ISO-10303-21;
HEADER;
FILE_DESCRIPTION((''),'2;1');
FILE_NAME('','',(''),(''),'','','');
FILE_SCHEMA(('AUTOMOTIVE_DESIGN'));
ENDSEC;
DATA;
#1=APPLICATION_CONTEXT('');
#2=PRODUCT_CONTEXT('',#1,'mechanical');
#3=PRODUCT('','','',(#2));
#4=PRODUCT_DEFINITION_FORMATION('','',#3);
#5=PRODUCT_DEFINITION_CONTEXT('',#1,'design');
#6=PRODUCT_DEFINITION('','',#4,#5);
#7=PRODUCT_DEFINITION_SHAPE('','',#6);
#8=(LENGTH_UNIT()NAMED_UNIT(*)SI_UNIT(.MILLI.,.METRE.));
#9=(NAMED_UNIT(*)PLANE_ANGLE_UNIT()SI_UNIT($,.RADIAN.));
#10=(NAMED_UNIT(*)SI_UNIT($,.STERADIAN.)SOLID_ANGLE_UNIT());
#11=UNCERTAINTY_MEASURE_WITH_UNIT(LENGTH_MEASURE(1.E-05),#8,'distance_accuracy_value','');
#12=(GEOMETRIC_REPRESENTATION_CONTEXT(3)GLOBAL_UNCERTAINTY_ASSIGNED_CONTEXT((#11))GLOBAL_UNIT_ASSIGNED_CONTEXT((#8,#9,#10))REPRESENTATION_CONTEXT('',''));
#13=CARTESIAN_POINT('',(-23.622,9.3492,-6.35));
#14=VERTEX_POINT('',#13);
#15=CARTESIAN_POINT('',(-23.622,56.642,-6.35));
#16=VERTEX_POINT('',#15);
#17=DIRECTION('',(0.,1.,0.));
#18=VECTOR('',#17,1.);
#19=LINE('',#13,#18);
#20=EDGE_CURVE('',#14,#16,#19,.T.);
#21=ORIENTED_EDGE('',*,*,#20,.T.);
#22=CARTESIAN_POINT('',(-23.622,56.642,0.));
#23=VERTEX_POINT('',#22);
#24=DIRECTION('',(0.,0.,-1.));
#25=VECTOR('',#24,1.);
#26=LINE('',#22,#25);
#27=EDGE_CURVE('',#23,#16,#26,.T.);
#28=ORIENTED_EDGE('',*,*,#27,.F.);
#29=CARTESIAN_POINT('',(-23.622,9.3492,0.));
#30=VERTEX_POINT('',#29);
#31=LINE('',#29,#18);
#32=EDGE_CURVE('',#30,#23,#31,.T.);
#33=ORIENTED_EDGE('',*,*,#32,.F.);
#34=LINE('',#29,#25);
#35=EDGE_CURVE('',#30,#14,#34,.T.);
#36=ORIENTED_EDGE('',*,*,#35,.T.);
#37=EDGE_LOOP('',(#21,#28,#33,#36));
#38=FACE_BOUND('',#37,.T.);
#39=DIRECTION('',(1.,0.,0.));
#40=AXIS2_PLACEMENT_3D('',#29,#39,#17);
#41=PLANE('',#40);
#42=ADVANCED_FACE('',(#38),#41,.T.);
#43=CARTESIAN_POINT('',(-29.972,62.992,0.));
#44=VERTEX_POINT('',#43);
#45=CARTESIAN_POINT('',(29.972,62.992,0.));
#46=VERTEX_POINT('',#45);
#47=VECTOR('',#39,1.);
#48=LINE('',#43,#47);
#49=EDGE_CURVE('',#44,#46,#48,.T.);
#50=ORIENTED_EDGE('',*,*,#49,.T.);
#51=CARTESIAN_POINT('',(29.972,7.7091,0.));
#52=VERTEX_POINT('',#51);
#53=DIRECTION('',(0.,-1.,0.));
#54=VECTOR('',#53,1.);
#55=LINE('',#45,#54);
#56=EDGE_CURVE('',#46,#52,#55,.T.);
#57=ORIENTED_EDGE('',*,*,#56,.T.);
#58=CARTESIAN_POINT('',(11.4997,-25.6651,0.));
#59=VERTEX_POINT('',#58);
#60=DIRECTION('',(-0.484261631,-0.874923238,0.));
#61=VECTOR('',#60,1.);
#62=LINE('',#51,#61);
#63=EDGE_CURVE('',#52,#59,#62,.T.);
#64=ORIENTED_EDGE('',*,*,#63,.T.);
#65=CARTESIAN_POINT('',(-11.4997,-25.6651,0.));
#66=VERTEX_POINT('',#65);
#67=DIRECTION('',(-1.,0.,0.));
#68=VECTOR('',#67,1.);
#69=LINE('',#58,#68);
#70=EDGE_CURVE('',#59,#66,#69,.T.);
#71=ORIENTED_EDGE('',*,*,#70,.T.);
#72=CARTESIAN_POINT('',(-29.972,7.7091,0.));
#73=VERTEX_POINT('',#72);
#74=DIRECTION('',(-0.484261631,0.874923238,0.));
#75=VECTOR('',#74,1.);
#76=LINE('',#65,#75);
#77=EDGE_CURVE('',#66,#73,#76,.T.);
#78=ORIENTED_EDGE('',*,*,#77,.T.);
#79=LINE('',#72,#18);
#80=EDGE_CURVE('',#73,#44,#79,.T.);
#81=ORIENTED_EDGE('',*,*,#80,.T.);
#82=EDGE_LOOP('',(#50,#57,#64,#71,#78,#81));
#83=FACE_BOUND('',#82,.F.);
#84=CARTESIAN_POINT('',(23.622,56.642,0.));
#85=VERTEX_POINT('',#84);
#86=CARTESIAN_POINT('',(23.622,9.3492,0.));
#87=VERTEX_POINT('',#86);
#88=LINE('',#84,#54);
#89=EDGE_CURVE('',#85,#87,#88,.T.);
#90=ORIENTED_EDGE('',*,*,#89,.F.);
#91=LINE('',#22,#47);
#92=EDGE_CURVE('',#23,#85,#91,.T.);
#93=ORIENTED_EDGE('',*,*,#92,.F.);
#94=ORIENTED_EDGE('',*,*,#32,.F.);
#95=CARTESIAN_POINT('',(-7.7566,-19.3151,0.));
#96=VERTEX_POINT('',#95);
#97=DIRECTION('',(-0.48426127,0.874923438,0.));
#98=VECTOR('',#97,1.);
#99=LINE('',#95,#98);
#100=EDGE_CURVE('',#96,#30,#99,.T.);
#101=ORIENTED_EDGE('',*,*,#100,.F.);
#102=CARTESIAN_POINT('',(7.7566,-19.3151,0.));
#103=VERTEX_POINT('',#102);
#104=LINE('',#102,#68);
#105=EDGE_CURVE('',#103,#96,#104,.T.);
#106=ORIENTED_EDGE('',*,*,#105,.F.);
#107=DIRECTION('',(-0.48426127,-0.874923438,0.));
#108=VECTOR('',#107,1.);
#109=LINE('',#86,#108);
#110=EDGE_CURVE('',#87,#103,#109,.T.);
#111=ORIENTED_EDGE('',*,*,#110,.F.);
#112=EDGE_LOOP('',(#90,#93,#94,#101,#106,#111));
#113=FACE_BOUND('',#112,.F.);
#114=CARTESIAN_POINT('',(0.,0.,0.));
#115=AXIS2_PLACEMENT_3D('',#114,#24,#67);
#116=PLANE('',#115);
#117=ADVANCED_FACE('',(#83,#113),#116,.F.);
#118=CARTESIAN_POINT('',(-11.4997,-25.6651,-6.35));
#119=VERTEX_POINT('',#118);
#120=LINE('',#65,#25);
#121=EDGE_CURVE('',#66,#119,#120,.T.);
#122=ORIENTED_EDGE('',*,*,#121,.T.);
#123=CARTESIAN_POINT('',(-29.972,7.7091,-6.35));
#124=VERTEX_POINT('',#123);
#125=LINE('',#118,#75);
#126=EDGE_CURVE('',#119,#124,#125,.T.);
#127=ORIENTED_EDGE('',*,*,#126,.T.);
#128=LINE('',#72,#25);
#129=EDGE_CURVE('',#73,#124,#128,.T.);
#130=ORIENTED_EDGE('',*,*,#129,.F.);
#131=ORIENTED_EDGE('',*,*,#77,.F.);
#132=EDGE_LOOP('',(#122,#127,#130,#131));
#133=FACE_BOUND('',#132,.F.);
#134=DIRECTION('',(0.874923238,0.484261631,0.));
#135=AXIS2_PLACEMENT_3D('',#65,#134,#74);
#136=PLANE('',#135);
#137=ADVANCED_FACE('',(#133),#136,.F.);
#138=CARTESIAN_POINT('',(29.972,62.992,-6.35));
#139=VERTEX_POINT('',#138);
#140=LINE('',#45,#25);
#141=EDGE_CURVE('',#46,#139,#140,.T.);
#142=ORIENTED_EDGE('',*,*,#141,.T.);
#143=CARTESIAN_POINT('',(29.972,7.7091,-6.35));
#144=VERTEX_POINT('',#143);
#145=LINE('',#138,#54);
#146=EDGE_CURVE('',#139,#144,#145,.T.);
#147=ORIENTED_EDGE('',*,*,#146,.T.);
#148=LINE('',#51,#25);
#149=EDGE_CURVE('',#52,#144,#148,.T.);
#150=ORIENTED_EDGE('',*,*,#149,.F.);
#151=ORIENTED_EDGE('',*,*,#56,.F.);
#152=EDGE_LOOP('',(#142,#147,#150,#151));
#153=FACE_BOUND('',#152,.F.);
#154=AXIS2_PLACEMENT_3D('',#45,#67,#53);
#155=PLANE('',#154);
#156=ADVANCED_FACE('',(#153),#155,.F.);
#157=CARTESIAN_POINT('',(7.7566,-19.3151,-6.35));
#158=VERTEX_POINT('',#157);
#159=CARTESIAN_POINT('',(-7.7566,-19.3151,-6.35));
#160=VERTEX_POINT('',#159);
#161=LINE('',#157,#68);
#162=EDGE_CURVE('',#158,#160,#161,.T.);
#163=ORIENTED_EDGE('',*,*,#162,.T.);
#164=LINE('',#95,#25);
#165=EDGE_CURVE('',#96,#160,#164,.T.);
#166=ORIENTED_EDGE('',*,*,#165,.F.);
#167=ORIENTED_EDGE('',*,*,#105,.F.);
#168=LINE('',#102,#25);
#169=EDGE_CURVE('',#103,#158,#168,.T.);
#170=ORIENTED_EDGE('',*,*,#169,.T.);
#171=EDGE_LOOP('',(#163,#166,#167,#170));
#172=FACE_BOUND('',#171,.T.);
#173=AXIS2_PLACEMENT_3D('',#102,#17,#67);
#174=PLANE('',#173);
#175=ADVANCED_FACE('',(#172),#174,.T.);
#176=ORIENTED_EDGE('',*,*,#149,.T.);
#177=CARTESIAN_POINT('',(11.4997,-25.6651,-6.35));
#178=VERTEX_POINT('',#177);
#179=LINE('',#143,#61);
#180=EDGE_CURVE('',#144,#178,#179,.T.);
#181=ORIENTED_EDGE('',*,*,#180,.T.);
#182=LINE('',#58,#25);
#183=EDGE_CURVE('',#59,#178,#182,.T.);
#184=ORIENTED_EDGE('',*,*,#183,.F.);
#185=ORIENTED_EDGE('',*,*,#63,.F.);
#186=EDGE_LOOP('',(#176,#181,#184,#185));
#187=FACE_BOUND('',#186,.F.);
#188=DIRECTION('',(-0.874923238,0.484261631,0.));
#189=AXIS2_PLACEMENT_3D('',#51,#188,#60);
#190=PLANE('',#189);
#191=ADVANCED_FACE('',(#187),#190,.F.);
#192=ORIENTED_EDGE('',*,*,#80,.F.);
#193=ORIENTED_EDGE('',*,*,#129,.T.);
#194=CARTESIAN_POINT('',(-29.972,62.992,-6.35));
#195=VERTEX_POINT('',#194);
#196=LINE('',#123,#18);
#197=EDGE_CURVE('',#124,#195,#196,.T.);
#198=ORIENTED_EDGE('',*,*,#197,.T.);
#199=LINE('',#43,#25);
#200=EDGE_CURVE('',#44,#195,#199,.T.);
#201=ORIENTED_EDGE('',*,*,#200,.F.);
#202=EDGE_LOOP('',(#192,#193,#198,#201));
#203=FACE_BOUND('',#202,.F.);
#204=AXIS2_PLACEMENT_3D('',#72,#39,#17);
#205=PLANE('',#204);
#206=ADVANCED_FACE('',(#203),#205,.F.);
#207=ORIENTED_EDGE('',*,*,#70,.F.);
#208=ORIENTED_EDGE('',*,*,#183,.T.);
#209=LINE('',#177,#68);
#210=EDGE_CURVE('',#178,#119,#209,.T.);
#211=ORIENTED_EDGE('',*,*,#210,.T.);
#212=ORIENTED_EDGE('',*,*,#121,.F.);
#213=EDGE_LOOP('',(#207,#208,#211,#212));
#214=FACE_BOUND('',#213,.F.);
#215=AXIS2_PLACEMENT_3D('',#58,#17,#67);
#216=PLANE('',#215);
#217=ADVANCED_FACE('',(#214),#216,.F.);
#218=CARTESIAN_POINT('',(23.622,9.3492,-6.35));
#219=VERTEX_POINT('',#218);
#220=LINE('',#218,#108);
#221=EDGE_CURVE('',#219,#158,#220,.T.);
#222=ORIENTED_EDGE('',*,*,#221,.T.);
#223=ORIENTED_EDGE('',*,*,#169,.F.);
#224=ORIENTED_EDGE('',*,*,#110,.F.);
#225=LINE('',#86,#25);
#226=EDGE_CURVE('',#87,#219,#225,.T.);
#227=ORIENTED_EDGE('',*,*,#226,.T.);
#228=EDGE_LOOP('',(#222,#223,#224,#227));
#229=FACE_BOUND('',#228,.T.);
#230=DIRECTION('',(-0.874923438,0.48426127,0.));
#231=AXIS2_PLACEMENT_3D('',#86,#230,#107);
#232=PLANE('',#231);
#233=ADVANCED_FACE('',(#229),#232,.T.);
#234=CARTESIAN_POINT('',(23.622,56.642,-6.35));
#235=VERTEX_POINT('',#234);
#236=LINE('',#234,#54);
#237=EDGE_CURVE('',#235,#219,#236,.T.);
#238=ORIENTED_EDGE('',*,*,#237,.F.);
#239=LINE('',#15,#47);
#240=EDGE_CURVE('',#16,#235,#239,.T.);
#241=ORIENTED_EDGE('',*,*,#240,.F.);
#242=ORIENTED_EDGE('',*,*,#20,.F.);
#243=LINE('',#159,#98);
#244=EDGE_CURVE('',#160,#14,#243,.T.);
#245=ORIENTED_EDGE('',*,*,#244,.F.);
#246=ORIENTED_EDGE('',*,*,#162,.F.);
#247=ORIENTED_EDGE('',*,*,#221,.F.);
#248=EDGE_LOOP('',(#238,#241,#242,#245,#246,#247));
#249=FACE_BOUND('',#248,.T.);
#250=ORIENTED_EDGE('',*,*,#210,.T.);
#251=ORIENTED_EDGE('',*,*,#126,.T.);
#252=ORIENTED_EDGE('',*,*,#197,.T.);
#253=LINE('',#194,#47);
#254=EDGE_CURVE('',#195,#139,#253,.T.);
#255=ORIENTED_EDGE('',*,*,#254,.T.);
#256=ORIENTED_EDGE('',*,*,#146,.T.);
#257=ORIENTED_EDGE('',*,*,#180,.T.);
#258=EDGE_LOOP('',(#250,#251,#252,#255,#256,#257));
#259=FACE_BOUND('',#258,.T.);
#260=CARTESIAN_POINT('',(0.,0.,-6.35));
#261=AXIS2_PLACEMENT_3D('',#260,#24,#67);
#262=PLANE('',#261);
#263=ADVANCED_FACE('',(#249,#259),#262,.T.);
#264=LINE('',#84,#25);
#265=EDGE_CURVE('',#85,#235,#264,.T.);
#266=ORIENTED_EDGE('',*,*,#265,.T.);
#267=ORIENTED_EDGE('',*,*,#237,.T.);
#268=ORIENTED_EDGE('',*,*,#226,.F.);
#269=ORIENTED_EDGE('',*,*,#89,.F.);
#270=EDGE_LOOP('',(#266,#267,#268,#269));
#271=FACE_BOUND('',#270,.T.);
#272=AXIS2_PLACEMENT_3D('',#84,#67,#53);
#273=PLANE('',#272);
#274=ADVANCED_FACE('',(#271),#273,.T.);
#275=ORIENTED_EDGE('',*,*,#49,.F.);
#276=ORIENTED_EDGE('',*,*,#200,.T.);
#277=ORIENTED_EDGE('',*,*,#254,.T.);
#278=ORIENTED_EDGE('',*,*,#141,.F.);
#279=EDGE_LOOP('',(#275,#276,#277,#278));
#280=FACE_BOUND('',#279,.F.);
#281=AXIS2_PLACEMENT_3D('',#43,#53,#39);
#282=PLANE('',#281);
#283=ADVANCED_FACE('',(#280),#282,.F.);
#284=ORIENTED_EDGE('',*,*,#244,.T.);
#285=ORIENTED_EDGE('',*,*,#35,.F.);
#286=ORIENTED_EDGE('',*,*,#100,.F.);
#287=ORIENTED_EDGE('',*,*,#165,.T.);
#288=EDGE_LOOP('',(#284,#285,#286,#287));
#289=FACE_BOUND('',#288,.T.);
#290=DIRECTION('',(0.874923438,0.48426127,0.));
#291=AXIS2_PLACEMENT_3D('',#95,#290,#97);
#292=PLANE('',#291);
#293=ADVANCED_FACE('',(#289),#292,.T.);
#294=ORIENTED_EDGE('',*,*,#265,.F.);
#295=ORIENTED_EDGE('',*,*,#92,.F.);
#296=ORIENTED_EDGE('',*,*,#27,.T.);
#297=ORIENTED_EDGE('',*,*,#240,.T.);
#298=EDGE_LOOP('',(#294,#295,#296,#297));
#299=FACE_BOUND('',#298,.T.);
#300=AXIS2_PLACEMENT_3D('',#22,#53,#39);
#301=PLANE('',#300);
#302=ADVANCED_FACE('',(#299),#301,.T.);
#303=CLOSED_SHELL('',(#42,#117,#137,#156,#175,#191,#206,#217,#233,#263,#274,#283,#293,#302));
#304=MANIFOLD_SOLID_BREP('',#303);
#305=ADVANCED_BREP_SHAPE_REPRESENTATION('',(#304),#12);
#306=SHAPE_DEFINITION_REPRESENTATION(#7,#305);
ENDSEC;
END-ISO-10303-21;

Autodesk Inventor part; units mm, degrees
ref_plane "YZ Plane" through (0, 0, 0) normal (1, 0, 0) x (0, 1, 0)
ref_plane "XZ Plane" through (0, 0, 0) normal (0, 1, 0) x (-1, 0, 0)
ref_plane "XY Plane" through (0, 0, 0) normal (0, 0, 1) x (1, 0, 0)
sketch "Sketch1" plane through (0, 0, 0) normal (0, 0, 1) x (1, 0, 0)
  line L0 (-44.45, -76.2) -> (44.45, -76.2)
  line L1 (44.45, -76.2) -> (44.45, -19.05)
  line L2 (44.45, -19.05) -> (22.614, -6.964)
  line L3 (22.614, -6.964) -> (37.9893, 20.8148)
  line L4 (37.9893, 20.8148) -> (75.5958, 0)
  line L5 (75.5958, 0) -> (139.7, 0)
  line L6 (139.7, 0) -> (139.7, 76.2)
  line L7 (139.7, 76.2) -> (-139.7, 76.2)
  line L8 (-139.7, 76.2) -> (-139.7, 0)
  line L9 (-139.7, 0) -> (-75.5958, 0)
  line L10 (-75.5958, 0) -> (-37.9893, 20.8148)
  line L11 (-37.9893, 20.8148) -> (-22.614, -6.964)
  line L12 (-22.614, -6.964) -> (-44.45, -19.05)
  line L13 (-44.45, -19.05) -> (-44.45, -76.2)
  line L14 (0, -76.2) -> (0, 76.2) construction
  line L15 (-127, 63.5) -> (127, 63.5)
  line L16 (127, 63.5) -> (127, 12.7)
  line L17 (127, 12.7) -> (73.6309, 12.7)
  line L18 (73.6309, 12.7) -> (34.0201, 34.6241)
  line L19 (34.0201, 34.6241) -> (8.8047, -10.9331)
  line L20 (8.8047, -10.9331) -> (31.75, -23.6331)
  line L21 (31.75, -23.6331) -> (31.75, -63.5)
  line L22 (31.75, -63.5) -> (-31.75, -63.5)
  line L23 (-31.75, -63.5) -> (-31.75, -23.6331)
  line L24 (-31.75, -23.6331) -> (-8.8047, -10.9331)
  line L25 (-8.8047, -10.9331) -> (-34.0201, 34.6241)
  line L26 (-34.0201, 34.6241) -> (-73.6309, 12.7)
  line L27 (-73.6309, 12.7) -> (-127, 12.7)
  line L28 (-127, 12.7) -> (-127, 63.5)
  line L29 (139.7, 38.1) -> (-139.7, 38.1) construction
  line L30 (139.7, 19.05) -> (-139.7, 19.05) construction
  point P0 (0, 0)
  point P1 (0, 0)
  point P2 (0, 19.05)
  point P3 (25.4, 19.05)
  point P4 (-25.4, 19.05)
  dimension "d2" = 88.9
  dimension "d3" = 57.15
  dimension "d4" = 279.4
  dimension "d5" = 152.4
  dimension "d8" = 76.2
  dimension "d10" = 12.7
  dimension "d11" = 10.16
  dimension "d12" = 10.16
  dimension "d13" = 10.16
  dimension "d14" = 12.7
  dimension "d15" = 10.16
  dimension "d16" = 10.16
  dimension "d17" = 10.16
  dimension "d18" = 12.7
  dimension "d19" = 12.7
  dimension "d96" = 114.3
  dimension "d97" = 19.05
  dimension "d98" = 25.4
  dimension "d99" = 31.75
  dimension "d100" = 25.4
  dimension "d101" = 31.75
  dimension "d102" = 12.7
ref_plane "Work Plane2" through (0, 0, 6.35) normal (0, 0, 1) x (1, 0, 0)
ref_plane "Work Plane4" through (0, 0, 12.7) normal (0, 0, 1) x (1, 0, 0)
ref_plane "Work Plane3" through (0, 0, 6.35) normal (0, 0, -1) x (-1, 0, 0)
ref_plane "Work Plane1" through (0, 0, 0) normal (0, 0, -1) x (-1, 0, 0)
ref_plane "Work Plane6" through (0, 0, 0) normal (0, 0, -1) x (-1, 0, 0)
sketch "Sketch7" plane through (0, 0, 0) normal (0, 0, -1) x (-1, 0, 0)
  line L0 (-8.8047, -10.9331) -> (-34.0201, 34.6241) construction
  line L1 (-31.75, -23.6331) -> (-8.8047, -10.9331) construction
  line L2 (-34.0201, 34.6241) -> (-73.6309, 12.7) projected
  line L3 (35.56, 63.5) -> (25.4, 63.5)
  line L4 (25.4, 63.5) -> (25.4, 19.05)
  line L5 (35.56, 33.7718) -> (35.56, 63.5)
  line L6 (127, 63.5) -> (-127, 63.5) construction
  line L7 (0, -76.2) -> (0, 76.2) construction
  line L8 (-35.56, 33.7718) -> (-35.56, 63.5)
  line L9 (-35.56, 63.5) -> (-25.4, 63.5)
  line L10 (-25.4, 63.5) -> (-25.4, 19.05)
  line L11 (-25.4, 19.05) -> (-35.56, 33.7718)
  line L12 (-139.7, 19.05) -> (139.7, 19.05) construction
  line L13 (35.56, 33.7718) -> (25.4, 19.05)
  line L14 (34.0201, 34.6241) -> (73.6309, 12.7) construction
  point P0 (0, 0)
  dimension "d120" = 25.4
  dimension "d121" = 10.16
ref_plane "Work Plane5" through (0, 0, 0) normal (0, 0, -1) x (-1, 0, 0)
sketch "Sketch8" plane through (0, 0, 0) normal (0, 0, -1) x (-1, 0, 0)
  line L0 (-30.48, 63.5) -> (-30.48, 7.5779)
  line L1 (-30.48, 7.5779) -> (-11.7992, -26.1731)
  line L2 (-11.7992, -26.1731) -> (11.7992, -26.1731)
  line L3 (11.7992, -26.1731) -> (30.48, 7.5779)
  line L4 (30.48, 7.5779) -> (30.48, 63.5)
  line L5 (30.48, 63.5) -> (-30.48, 63.5)
  line L6 (-25.4, 63.5) -> (25.4, 63.5) construction
  line L7 (-23.622, 56.642) -> (-23.622, 9.3492)
  line L8 (-23.622, 9.3492) -> (-7.7566, -19.3151)
  line L9 (-7.7566, -19.3151) -> (7.7566, -19.3151)
  line L10 (7.7566, -19.3151) -> (23.622, 9.3492)
  line L11 (23.622, 9.3492) -> (23.622, 56.642)
  line L12 (23.622, 56.642) -> (-23.622, 56.642)
  line L13 (-29.972, 62.992) -> (-29.972, 7.7091)
  line L14 (-29.972, 7.7091) -> (-11.4997, -25.6651)
  line L15 (-11.4997, -25.6651) -> (11.4997, -25.6651)
  line L16 (11.4997, -25.6651) -> (29.972, 7.7091)
  line L17 (29.972, 7.7091) -> (29.972, 62.992)
  line L18 (29.972, 62.992) -> (-29.972, 62.992)
  point P0 (0, 0)
  dimension "d111" = 0
  dimension "d126" = 60.96
  dimension "d127" = 6.35
  dimension "d128" = 0.508
  dimension "d131" = 151.036
  dimension "d134" = 63.5
  dimension "d135" = 30.48
  dimension "d136" = 55.9221
  dimension "d137" = 33.751
extrude "Extrusion14" add sketch "Sketch8" along normal blind 6.35 contours L18 L17 L16 L15 L14 L13
equation "\"d11\" = d13"
equation "\"d12\" = d13"
equation "\"d14\" = d10"
equation "\"d15\" = d13"
equation "\"d16\" = d13"
equation "\"d17\" = d13"
equation "\"d18\" = d10"
equation "\"d19\" = d10"
properties part number "alignment_tool"
